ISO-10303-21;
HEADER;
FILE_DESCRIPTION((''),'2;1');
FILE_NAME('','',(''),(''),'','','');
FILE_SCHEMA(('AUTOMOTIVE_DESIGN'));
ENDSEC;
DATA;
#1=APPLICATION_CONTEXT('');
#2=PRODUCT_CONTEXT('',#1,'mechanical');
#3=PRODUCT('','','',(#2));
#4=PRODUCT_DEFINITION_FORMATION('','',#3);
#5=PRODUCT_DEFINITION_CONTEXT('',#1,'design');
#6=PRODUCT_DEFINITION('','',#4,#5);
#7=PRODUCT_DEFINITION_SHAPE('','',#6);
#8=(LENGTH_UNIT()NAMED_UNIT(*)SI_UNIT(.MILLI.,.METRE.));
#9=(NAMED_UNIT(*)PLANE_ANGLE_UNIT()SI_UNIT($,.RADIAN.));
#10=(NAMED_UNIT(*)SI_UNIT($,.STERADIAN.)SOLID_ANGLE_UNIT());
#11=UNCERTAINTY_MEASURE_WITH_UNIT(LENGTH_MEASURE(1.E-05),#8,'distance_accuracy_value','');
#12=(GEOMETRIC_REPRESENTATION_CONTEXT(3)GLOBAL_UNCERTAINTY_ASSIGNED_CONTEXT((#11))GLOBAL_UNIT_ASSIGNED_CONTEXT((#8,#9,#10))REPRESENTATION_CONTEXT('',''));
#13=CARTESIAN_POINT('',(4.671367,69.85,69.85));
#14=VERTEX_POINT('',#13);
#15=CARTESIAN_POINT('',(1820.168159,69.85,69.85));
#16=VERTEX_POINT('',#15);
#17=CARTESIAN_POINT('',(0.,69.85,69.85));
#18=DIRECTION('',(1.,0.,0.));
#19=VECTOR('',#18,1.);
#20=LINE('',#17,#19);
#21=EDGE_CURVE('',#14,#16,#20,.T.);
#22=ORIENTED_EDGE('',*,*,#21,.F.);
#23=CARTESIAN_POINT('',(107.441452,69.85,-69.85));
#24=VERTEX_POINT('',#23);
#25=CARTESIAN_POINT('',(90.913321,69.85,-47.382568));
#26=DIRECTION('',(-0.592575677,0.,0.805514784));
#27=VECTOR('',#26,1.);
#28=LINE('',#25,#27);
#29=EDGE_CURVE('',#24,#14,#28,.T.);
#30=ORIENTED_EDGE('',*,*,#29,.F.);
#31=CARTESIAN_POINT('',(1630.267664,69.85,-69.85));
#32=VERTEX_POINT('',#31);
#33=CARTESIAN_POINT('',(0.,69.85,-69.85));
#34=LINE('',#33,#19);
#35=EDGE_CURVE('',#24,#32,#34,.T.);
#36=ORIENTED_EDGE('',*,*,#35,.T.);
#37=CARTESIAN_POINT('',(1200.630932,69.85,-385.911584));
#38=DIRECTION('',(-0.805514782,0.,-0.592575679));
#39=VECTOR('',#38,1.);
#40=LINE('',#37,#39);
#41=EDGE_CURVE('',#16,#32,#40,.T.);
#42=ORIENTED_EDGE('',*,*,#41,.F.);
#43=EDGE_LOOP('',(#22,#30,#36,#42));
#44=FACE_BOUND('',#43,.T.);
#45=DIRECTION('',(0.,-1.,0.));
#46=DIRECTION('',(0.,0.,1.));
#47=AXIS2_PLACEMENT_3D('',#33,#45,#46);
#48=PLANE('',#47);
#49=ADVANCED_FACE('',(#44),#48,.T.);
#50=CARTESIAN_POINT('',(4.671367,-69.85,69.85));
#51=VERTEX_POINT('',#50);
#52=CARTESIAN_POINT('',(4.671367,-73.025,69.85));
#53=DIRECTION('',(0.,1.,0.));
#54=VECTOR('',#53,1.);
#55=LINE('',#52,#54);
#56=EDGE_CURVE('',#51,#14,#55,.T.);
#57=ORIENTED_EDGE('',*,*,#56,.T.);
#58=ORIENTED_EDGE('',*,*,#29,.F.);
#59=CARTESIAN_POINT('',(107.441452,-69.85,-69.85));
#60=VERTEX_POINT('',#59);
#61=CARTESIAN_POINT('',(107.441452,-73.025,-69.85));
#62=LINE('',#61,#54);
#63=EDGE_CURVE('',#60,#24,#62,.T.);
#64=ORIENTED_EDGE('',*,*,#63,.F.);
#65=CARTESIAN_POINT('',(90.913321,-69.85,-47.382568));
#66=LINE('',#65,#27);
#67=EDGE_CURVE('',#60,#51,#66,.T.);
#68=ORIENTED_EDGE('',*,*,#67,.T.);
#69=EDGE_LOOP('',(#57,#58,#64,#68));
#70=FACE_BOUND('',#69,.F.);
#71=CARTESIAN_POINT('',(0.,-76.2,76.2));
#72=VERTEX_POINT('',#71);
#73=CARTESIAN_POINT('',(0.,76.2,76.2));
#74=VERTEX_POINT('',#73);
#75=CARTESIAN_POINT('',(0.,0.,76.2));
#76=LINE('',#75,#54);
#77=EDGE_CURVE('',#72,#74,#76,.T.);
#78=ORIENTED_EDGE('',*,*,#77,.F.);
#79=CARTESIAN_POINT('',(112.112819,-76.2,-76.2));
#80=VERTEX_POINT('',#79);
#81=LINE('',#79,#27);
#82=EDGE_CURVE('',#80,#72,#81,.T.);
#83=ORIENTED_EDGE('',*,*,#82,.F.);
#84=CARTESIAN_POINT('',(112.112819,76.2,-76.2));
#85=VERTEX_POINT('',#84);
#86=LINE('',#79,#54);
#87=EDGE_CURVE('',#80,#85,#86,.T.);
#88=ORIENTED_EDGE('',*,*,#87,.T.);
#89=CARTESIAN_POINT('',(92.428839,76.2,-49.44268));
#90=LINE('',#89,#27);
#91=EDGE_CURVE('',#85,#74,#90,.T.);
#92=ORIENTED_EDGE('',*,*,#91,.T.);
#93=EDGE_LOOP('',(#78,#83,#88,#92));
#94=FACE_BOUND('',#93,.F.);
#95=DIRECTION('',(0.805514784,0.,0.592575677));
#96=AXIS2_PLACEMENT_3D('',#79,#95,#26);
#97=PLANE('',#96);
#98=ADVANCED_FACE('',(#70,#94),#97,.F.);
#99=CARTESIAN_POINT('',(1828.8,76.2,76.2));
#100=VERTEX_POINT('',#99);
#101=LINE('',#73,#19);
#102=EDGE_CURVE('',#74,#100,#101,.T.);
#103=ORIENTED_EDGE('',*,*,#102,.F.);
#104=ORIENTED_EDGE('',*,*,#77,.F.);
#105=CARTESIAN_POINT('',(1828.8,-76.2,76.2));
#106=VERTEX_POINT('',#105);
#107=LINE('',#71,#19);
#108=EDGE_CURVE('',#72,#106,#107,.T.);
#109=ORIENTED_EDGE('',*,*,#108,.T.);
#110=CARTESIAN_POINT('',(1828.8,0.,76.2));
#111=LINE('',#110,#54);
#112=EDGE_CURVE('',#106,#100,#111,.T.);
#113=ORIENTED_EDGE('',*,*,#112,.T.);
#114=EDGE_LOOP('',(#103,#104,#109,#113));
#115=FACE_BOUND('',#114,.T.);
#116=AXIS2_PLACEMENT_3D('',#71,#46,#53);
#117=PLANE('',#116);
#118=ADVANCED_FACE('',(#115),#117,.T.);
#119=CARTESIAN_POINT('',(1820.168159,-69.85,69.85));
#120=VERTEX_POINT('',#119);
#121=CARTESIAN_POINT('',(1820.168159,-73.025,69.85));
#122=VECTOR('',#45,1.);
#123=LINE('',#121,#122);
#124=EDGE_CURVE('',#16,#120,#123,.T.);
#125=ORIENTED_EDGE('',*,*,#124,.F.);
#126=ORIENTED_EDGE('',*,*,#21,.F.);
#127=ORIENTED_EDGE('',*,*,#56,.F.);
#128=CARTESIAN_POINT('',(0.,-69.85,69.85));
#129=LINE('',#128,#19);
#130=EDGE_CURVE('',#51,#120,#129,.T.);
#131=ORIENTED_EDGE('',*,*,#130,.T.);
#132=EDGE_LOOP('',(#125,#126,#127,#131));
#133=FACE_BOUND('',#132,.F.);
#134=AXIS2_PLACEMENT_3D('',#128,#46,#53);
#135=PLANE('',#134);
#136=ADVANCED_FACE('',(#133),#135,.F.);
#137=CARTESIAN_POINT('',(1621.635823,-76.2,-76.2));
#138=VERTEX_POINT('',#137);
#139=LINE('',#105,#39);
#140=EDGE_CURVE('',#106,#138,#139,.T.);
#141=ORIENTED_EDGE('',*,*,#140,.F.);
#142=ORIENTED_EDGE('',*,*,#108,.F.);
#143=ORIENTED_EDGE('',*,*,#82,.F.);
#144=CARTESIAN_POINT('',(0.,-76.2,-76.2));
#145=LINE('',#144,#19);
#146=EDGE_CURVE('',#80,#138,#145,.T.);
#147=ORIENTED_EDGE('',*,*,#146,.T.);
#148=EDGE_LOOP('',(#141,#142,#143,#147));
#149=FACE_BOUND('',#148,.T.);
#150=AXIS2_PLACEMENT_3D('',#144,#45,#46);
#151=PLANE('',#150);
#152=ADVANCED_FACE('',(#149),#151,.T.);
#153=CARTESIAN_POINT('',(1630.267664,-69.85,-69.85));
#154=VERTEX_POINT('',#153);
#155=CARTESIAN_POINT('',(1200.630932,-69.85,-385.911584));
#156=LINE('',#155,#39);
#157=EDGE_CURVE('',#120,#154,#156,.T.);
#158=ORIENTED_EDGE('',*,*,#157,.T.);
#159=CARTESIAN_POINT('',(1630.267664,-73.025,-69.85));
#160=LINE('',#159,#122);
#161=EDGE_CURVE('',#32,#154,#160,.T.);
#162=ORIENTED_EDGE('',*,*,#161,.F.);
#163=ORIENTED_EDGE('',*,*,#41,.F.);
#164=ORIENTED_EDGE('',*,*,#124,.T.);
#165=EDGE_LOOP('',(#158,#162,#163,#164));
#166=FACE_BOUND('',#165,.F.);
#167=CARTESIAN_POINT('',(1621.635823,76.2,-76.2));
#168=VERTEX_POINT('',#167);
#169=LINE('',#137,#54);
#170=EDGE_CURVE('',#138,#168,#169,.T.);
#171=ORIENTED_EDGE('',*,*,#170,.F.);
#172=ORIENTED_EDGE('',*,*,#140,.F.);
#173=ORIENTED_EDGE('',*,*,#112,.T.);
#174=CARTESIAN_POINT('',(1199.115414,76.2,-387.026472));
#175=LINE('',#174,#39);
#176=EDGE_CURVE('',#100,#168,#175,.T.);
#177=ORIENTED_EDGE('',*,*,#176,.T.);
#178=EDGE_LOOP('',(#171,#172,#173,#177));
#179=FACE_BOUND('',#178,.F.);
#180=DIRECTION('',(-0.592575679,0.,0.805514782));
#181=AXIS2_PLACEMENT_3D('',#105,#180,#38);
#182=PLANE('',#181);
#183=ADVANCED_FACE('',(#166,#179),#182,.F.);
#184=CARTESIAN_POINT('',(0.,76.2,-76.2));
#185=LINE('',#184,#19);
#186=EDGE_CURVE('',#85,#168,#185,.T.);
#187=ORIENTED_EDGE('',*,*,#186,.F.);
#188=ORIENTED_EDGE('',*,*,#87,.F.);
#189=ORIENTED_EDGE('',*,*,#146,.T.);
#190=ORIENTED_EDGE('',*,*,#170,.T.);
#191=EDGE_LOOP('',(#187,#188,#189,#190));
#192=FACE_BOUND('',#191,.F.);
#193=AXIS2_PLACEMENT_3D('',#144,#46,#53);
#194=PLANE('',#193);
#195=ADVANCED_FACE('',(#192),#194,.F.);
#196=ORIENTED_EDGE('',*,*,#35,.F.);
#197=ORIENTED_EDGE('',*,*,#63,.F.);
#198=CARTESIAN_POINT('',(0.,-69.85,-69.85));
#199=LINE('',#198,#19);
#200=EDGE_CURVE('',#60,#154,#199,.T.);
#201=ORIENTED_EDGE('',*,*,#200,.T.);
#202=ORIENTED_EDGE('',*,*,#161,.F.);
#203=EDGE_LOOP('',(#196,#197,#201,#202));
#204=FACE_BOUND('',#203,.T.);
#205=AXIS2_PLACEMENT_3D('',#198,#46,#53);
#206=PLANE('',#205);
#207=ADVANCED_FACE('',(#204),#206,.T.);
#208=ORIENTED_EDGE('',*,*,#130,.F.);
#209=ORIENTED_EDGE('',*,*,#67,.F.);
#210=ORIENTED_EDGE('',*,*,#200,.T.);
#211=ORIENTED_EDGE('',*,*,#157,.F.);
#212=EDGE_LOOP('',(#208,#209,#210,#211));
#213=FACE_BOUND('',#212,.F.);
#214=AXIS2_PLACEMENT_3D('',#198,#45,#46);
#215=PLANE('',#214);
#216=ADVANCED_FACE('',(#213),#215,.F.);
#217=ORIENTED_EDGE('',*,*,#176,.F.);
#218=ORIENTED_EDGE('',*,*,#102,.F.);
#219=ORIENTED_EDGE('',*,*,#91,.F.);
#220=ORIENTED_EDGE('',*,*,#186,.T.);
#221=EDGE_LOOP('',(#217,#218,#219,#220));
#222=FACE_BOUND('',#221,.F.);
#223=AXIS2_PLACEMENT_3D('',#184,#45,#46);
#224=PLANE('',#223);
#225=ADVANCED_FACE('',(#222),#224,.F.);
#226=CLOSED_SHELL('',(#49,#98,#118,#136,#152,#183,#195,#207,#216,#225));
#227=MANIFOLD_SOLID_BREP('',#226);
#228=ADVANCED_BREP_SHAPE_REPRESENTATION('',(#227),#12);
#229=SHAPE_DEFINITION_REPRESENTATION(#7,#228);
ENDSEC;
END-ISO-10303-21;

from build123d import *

# Parameters (mm, degrees)
F0_W     = 152.4
F0_H     = 152.4
F0_W_2   = 139.7
F0_H_2   = 139.7
F1_DEPTH = 1828.8
F3_DEPTH = 203.2


with BuildPart() as f1:
    # F0 (on Right) → F1 (new body)
    with BuildSketch(Plane.YZ):
        Rectangle(F0_W, F0_H)
        Rectangle(F0_W_2, F0_H_2, mode=Mode.SUBTRACT)
    extrude(amount=F1_DEPTH)

    # F2 (on face) → F3 (cut)
    with BuildSketch(Plane.XZ.offset(76.2)):
        Polygon((112.112819, -76.2), (0, 76.2), (0, -76.2), align=None)
        Polygon((1828.8, -76.2), (1828.8, 76.2), (1621.635823, -76.2), align=None)
    extrude(amount=-F3_DEPTH, mode=Mode.SUBTRACT)


solid = f1.part
